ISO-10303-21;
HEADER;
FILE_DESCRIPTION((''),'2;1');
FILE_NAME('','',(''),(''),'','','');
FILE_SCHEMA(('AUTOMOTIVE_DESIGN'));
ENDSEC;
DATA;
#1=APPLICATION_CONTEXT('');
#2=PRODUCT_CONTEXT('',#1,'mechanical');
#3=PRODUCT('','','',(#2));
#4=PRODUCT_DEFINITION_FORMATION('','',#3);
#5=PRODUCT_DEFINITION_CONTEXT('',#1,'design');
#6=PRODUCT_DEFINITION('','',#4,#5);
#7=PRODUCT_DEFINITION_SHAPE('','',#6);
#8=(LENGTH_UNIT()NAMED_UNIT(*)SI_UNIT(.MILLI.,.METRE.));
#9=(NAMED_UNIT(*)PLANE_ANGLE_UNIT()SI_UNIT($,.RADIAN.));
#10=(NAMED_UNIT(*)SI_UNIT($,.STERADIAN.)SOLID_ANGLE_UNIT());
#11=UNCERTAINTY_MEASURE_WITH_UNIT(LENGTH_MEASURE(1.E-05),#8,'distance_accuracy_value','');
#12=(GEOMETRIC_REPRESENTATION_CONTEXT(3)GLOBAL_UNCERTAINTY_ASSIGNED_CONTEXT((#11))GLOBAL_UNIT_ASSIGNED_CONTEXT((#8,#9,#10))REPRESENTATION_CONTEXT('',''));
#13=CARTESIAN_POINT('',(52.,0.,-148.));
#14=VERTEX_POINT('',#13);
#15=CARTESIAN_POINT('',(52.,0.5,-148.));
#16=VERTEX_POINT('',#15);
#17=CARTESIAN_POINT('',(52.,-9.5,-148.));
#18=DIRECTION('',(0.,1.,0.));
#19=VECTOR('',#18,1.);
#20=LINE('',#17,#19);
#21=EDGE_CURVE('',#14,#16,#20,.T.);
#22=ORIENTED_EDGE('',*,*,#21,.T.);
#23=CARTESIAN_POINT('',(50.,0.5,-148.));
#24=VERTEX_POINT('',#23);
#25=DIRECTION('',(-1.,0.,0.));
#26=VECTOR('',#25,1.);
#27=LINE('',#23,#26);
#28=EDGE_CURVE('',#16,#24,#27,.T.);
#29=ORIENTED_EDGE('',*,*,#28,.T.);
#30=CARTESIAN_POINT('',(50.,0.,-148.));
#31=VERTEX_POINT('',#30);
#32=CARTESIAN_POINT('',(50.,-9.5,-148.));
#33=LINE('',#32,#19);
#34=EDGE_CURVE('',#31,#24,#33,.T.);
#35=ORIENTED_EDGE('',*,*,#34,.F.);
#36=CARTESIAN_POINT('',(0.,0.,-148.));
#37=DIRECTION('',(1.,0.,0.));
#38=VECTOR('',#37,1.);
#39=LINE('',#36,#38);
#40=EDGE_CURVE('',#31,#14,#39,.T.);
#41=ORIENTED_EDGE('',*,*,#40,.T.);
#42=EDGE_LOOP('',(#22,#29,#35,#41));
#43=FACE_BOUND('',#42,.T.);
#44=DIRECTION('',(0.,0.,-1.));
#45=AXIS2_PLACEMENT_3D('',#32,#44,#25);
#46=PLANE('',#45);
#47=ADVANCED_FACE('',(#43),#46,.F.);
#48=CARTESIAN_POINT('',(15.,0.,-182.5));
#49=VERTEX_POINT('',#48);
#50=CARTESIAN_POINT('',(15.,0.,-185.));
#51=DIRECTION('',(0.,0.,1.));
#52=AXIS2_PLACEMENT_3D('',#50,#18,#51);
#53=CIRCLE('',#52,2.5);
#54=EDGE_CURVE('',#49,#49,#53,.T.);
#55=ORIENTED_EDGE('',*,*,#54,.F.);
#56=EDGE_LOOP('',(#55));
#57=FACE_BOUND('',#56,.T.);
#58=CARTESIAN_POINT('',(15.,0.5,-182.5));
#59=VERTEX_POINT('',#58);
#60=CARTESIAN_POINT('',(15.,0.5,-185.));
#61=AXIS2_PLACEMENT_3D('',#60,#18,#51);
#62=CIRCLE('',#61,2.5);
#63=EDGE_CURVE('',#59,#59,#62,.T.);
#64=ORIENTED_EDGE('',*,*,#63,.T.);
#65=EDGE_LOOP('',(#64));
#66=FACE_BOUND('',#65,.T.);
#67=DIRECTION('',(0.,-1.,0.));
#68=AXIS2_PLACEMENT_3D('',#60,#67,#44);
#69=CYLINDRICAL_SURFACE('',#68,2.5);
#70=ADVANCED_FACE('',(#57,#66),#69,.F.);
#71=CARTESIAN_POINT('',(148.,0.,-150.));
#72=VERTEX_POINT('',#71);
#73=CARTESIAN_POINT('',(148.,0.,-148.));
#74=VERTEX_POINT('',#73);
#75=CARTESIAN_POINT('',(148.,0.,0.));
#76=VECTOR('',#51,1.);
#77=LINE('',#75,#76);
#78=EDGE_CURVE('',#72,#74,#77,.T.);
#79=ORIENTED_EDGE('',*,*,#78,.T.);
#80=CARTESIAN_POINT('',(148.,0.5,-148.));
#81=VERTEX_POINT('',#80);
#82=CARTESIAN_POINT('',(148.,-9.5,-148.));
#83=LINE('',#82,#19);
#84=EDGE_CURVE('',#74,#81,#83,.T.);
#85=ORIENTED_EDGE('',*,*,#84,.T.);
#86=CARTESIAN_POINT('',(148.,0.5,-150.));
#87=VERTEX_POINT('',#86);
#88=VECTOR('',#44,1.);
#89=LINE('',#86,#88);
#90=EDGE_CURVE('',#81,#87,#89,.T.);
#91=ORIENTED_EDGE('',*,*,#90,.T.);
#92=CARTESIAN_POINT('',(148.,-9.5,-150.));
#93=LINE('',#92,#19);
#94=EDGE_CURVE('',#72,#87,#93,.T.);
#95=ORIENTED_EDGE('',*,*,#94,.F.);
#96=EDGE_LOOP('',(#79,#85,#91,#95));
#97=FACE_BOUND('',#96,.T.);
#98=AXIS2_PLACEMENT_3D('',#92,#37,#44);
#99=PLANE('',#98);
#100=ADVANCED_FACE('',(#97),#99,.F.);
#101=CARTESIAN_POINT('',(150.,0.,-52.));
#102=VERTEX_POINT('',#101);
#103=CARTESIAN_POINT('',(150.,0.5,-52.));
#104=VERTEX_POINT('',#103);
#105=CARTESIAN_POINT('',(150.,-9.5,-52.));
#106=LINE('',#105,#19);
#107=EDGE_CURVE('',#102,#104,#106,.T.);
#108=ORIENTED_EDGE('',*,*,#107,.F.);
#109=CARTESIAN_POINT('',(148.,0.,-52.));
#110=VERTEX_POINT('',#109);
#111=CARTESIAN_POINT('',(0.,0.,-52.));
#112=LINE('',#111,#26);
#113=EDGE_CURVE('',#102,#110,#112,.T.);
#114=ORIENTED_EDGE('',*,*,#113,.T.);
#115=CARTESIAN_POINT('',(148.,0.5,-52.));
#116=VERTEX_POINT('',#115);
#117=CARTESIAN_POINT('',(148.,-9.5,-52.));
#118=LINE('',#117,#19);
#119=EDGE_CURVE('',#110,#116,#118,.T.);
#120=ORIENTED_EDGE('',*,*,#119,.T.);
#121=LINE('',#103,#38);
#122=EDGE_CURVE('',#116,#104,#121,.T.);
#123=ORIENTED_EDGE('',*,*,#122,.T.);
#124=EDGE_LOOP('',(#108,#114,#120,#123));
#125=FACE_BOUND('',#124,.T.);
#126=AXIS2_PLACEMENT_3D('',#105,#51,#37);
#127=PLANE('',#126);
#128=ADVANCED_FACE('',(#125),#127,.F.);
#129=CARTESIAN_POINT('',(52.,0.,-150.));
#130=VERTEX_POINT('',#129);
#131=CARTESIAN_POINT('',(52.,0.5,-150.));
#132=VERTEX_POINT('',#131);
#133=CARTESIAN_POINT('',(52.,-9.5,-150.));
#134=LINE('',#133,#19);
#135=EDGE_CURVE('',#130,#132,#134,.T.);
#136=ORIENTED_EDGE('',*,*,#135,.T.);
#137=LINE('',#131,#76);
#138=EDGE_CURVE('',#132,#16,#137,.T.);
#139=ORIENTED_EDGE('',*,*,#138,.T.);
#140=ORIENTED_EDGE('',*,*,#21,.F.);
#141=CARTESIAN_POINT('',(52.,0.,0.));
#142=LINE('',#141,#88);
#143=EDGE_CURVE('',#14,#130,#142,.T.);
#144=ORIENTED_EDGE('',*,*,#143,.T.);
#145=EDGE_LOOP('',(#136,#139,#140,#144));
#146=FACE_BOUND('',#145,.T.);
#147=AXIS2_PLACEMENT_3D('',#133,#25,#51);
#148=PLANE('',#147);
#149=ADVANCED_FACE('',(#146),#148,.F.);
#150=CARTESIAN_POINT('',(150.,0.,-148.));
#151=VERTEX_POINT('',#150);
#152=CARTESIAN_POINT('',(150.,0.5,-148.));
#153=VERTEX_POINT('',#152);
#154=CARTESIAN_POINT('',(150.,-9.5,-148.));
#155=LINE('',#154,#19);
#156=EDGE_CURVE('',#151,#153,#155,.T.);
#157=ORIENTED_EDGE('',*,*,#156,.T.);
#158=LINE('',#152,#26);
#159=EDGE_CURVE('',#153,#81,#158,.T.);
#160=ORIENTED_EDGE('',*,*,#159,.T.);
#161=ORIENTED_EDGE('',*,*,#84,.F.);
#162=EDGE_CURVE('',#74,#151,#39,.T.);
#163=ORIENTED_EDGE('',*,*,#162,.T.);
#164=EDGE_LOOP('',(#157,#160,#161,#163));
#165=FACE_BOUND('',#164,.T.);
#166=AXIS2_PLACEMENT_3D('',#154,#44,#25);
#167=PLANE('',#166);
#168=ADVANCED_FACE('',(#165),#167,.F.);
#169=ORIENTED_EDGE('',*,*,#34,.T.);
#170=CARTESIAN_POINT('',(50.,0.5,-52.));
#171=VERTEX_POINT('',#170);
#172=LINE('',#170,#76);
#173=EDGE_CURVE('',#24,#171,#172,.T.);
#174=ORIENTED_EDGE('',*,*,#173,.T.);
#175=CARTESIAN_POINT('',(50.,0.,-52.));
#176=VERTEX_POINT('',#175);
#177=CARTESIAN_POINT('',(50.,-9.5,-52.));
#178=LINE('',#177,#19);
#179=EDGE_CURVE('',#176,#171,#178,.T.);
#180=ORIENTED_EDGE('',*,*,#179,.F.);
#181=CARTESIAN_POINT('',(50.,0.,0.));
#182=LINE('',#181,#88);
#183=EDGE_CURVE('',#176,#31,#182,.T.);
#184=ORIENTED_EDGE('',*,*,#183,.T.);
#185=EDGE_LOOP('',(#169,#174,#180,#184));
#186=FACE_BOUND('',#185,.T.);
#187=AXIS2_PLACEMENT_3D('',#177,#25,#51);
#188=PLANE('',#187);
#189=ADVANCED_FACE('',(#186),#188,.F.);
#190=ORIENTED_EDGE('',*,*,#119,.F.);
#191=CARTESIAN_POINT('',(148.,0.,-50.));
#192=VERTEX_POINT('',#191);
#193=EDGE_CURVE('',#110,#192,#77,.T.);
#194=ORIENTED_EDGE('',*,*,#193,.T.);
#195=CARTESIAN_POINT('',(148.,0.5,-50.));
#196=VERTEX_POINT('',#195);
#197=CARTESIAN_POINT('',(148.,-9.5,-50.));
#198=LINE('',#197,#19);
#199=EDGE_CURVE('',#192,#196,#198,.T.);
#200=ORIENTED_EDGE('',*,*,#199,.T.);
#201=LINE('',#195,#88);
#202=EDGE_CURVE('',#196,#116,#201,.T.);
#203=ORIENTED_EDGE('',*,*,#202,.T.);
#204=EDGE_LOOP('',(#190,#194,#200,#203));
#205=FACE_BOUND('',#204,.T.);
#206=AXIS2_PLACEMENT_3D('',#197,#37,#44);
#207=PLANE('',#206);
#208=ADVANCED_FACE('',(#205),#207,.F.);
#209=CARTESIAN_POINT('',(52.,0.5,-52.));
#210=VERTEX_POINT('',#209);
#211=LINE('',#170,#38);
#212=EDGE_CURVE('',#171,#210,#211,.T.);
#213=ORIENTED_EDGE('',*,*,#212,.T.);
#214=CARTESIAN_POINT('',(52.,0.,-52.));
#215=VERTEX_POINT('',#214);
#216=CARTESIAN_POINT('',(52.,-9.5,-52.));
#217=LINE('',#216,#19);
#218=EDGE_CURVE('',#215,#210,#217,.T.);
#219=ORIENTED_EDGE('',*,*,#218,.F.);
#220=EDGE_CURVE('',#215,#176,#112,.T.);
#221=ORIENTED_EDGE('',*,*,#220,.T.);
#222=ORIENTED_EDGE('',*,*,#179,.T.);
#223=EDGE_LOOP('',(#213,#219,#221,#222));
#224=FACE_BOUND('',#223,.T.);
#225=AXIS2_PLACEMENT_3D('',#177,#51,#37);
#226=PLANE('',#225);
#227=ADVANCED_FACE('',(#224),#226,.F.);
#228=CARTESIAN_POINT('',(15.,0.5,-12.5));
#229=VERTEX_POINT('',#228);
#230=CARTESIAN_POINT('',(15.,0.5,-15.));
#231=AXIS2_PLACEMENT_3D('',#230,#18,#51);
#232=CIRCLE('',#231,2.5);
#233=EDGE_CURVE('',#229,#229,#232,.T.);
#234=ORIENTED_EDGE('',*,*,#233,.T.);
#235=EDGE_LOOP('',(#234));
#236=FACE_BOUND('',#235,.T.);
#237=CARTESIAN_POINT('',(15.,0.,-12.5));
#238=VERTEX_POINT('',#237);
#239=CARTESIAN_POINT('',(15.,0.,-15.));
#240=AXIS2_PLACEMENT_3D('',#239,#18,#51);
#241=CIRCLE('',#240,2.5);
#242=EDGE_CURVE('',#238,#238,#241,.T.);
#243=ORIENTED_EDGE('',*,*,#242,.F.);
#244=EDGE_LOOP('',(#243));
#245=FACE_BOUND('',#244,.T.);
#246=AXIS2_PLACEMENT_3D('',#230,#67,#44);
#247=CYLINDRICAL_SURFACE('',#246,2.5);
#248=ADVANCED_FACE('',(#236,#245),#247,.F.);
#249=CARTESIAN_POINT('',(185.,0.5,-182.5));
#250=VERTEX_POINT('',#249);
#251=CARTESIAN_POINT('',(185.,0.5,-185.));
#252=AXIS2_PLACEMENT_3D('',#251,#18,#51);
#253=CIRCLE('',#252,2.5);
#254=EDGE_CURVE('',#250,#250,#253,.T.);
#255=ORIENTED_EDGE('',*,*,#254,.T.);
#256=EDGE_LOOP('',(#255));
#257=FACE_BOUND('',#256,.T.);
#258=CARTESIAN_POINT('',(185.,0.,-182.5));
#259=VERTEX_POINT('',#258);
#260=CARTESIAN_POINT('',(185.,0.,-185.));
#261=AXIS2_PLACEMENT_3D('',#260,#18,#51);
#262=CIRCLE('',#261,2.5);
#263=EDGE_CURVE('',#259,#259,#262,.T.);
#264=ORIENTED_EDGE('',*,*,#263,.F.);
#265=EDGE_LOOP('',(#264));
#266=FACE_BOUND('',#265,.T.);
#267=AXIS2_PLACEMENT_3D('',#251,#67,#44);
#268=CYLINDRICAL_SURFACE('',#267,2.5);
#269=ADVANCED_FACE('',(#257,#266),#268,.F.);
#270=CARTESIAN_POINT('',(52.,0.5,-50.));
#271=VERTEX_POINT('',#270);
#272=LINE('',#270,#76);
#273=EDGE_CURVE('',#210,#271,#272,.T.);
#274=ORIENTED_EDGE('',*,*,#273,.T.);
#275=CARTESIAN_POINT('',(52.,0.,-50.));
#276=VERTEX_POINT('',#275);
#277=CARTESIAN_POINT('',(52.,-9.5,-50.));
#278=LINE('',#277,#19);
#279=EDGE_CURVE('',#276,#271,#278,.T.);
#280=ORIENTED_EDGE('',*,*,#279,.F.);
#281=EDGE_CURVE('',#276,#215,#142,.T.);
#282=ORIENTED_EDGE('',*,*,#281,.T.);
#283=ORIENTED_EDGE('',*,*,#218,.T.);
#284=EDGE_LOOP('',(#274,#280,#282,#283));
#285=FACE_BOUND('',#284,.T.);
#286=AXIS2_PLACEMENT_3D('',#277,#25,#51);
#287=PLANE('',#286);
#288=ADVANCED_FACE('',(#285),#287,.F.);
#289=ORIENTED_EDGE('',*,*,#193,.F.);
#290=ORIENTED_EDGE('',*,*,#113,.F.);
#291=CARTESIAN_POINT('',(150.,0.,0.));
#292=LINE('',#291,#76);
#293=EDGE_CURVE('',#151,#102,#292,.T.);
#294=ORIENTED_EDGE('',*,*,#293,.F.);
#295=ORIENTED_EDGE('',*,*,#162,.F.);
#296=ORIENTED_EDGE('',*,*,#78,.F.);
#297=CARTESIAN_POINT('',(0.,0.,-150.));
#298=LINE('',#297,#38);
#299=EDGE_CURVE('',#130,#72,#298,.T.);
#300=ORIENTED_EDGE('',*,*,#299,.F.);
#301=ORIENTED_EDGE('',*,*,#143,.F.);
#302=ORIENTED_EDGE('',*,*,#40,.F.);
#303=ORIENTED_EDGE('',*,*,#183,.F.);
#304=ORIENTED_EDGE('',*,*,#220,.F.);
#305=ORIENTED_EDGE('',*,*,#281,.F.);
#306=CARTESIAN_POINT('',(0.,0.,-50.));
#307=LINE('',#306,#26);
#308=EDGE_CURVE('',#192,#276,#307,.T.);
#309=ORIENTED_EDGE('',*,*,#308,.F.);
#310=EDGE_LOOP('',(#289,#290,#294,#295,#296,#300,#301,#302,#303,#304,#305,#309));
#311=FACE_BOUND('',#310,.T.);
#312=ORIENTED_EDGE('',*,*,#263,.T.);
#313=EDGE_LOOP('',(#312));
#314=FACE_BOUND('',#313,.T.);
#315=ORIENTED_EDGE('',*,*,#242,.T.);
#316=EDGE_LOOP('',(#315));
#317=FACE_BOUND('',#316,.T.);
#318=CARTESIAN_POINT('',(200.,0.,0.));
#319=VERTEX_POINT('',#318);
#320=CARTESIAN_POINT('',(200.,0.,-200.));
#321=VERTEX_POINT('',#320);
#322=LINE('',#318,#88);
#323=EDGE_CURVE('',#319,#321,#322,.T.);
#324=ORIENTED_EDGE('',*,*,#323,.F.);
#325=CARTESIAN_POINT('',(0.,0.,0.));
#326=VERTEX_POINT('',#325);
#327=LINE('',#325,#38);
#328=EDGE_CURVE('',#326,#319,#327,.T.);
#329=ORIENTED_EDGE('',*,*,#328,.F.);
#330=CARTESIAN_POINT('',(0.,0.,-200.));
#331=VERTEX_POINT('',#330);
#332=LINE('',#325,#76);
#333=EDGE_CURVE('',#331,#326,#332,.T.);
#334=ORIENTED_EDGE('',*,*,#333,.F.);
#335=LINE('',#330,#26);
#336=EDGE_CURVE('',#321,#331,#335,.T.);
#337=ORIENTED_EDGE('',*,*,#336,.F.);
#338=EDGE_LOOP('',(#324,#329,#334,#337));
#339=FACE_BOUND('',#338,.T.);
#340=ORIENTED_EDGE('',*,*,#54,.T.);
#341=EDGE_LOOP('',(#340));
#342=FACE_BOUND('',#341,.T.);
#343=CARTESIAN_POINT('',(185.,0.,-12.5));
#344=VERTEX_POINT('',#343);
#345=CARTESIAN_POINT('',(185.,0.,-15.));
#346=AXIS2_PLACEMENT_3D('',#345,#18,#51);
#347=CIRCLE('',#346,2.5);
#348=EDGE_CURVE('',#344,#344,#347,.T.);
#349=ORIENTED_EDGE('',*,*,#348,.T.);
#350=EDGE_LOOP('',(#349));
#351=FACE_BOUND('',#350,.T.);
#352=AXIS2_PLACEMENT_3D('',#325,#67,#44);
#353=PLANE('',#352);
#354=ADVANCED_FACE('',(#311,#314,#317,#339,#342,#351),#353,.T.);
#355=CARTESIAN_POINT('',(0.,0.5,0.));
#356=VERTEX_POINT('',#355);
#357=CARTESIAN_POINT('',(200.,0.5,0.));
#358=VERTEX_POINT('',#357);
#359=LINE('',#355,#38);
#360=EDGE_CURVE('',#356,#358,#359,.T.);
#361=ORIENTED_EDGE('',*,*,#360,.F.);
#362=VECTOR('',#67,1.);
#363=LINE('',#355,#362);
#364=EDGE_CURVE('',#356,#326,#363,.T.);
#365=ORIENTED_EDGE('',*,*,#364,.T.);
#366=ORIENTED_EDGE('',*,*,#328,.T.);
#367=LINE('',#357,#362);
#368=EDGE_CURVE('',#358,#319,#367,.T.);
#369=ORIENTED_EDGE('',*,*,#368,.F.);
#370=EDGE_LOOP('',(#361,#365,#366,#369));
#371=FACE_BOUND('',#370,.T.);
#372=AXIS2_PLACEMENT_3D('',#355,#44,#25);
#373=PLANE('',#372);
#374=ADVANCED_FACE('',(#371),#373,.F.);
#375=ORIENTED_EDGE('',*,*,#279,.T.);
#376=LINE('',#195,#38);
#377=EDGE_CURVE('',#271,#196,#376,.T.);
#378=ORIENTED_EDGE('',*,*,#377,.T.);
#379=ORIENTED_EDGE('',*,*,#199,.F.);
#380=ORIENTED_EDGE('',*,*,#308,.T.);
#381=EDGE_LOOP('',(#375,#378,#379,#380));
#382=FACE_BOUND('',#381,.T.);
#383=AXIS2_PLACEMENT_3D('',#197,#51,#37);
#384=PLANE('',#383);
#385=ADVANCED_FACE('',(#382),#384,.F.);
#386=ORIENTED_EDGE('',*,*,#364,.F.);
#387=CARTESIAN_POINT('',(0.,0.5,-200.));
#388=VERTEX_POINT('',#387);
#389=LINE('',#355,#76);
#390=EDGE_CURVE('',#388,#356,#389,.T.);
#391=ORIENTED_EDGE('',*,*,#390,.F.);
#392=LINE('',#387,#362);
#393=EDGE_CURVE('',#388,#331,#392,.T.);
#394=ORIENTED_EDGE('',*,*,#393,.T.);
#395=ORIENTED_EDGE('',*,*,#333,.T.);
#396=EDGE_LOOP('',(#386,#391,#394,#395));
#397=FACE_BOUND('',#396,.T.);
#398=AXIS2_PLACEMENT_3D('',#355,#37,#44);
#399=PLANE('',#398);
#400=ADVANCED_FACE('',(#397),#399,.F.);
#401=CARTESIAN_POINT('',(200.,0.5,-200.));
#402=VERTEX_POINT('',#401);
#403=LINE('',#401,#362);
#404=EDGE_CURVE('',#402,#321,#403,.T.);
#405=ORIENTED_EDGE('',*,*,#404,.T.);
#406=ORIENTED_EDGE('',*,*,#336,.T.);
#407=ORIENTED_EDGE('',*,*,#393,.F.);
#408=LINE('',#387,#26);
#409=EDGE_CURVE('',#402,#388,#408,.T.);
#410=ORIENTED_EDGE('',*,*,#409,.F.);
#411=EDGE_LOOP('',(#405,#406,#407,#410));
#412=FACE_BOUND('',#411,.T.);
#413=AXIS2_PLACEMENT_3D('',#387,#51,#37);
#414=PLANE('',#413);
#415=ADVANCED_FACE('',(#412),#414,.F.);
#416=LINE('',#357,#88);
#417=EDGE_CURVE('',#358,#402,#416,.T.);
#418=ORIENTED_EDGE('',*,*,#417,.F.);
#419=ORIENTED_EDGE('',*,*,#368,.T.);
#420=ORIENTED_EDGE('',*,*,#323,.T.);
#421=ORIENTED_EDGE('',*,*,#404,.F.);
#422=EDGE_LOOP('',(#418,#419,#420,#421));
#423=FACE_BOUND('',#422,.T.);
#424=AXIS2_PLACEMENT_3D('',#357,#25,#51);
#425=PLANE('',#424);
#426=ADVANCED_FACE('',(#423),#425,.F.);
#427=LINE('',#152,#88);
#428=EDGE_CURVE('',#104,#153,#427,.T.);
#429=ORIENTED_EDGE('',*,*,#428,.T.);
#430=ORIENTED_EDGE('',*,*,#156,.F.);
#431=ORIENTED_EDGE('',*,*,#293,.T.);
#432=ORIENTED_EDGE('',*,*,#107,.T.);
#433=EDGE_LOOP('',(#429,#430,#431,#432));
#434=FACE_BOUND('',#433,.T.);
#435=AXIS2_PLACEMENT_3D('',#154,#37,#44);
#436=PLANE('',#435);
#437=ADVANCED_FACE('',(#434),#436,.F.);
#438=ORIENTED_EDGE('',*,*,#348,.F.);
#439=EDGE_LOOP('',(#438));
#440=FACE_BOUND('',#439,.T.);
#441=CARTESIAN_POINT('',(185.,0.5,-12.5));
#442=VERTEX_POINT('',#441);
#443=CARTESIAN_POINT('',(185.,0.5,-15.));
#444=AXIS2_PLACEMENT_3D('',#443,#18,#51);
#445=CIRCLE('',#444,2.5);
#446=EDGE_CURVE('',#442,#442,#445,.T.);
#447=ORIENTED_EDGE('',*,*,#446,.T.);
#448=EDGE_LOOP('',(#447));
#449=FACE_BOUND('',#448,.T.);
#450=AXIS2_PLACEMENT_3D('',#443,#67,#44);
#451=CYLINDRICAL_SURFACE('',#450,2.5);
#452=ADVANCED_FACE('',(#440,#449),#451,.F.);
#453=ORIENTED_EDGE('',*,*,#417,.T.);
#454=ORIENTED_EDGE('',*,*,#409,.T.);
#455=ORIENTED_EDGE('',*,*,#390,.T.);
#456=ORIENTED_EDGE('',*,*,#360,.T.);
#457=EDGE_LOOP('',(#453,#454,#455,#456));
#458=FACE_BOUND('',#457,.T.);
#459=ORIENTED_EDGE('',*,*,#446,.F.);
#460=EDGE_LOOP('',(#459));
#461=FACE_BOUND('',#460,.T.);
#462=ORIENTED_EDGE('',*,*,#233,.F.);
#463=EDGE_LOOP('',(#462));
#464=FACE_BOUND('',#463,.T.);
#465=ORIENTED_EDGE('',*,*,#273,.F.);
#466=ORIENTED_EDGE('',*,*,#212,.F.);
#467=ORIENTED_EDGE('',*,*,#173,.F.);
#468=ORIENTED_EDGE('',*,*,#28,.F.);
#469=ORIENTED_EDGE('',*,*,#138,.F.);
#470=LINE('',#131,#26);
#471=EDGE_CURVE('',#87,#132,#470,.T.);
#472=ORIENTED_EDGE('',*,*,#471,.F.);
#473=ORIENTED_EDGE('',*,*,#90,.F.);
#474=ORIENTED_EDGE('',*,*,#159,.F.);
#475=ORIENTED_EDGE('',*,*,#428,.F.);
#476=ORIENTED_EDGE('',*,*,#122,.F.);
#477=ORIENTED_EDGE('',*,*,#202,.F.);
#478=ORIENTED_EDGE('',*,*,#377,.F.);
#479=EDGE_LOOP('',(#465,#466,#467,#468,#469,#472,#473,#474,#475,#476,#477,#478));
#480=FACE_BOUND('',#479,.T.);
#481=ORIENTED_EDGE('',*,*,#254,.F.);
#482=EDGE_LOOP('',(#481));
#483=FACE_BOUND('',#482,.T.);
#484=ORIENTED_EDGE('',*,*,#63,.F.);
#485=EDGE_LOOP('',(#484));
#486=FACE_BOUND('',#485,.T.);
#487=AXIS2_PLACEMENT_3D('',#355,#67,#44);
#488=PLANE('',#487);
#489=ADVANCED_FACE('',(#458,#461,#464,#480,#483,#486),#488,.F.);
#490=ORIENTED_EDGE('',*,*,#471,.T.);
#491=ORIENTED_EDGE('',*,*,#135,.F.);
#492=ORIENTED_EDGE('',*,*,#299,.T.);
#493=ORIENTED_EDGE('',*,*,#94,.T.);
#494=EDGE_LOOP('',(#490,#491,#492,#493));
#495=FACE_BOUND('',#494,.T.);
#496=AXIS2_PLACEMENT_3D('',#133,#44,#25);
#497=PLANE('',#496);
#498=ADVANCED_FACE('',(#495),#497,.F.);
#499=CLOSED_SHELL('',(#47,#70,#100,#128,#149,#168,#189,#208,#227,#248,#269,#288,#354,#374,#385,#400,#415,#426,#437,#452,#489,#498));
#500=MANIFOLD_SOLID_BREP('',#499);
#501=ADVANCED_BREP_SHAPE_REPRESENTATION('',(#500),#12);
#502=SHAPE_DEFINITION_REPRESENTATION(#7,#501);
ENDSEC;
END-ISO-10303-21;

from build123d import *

# Parameters (mm, degrees)
CROQUIS1_W              = 200
CROQUIS1_H              = 200
CROQUIS1_R              = 2.5
SALIENTE_EXTRUIR1_DEPTH = 0.5
CORTAR_EXTRUIR1_DEPTH   = 10


with BuildPart() as part:
    # Croquis1 → Saliente-Extruir1 (new body)
    with BuildSketch(Plane(origin=(0, 0, 0), x_dir=(1, 0, 0), z_dir=(0, 1, 0))):
        with Locations((100, 100)):
            Rectangle(CROQUIS1_W, CROQUIS1_H)
        with Locations(Location((15, 185, 0), (0, 0, 270))):
            Circle(CROQUIS1_R, mode=Mode.SUBTRACT)
        with Locations(Location((185, 185, 0), (0, 0, 270))):
            Circle(CROQUIS1_R, mode=Mode.SUBTRACT)
        with Locations(Location((185, 15, 0), (0, 0, 270))):
            Circle(CROQUIS1_R, mode=Mode.SUBTRACT)
        with Locations(Location((15, 15, 0), (0, 0, 270))):
            Circle(CROQUIS1_R, mode=Mode.SUBTRACT)
    extrude(amount=SALIENTE_EXTRUIR1_DEPTH)

    # Croquis2 → Cortar-Extruir1 (cut)
    with BuildSketch(Plane(origin=(0, 0.5, 0), x_dir=(1, 0, 0), z_dir=(0, 1, 0))):
        Polygon((50, 148), (50, 100), (50, 52), (52, 52), (52, 50), (100, 50), (148, 50), (148, 52), (150, 52), (150, 100), (150, 148), (148, 148), (148, 150), (100, 150), (52, 150), (52, 148), align=None)
    extrude(amount=-CORTAR_EXTRUIR1_DEPTH, mode=Mode.SUBTRACT)


solid = part.part
